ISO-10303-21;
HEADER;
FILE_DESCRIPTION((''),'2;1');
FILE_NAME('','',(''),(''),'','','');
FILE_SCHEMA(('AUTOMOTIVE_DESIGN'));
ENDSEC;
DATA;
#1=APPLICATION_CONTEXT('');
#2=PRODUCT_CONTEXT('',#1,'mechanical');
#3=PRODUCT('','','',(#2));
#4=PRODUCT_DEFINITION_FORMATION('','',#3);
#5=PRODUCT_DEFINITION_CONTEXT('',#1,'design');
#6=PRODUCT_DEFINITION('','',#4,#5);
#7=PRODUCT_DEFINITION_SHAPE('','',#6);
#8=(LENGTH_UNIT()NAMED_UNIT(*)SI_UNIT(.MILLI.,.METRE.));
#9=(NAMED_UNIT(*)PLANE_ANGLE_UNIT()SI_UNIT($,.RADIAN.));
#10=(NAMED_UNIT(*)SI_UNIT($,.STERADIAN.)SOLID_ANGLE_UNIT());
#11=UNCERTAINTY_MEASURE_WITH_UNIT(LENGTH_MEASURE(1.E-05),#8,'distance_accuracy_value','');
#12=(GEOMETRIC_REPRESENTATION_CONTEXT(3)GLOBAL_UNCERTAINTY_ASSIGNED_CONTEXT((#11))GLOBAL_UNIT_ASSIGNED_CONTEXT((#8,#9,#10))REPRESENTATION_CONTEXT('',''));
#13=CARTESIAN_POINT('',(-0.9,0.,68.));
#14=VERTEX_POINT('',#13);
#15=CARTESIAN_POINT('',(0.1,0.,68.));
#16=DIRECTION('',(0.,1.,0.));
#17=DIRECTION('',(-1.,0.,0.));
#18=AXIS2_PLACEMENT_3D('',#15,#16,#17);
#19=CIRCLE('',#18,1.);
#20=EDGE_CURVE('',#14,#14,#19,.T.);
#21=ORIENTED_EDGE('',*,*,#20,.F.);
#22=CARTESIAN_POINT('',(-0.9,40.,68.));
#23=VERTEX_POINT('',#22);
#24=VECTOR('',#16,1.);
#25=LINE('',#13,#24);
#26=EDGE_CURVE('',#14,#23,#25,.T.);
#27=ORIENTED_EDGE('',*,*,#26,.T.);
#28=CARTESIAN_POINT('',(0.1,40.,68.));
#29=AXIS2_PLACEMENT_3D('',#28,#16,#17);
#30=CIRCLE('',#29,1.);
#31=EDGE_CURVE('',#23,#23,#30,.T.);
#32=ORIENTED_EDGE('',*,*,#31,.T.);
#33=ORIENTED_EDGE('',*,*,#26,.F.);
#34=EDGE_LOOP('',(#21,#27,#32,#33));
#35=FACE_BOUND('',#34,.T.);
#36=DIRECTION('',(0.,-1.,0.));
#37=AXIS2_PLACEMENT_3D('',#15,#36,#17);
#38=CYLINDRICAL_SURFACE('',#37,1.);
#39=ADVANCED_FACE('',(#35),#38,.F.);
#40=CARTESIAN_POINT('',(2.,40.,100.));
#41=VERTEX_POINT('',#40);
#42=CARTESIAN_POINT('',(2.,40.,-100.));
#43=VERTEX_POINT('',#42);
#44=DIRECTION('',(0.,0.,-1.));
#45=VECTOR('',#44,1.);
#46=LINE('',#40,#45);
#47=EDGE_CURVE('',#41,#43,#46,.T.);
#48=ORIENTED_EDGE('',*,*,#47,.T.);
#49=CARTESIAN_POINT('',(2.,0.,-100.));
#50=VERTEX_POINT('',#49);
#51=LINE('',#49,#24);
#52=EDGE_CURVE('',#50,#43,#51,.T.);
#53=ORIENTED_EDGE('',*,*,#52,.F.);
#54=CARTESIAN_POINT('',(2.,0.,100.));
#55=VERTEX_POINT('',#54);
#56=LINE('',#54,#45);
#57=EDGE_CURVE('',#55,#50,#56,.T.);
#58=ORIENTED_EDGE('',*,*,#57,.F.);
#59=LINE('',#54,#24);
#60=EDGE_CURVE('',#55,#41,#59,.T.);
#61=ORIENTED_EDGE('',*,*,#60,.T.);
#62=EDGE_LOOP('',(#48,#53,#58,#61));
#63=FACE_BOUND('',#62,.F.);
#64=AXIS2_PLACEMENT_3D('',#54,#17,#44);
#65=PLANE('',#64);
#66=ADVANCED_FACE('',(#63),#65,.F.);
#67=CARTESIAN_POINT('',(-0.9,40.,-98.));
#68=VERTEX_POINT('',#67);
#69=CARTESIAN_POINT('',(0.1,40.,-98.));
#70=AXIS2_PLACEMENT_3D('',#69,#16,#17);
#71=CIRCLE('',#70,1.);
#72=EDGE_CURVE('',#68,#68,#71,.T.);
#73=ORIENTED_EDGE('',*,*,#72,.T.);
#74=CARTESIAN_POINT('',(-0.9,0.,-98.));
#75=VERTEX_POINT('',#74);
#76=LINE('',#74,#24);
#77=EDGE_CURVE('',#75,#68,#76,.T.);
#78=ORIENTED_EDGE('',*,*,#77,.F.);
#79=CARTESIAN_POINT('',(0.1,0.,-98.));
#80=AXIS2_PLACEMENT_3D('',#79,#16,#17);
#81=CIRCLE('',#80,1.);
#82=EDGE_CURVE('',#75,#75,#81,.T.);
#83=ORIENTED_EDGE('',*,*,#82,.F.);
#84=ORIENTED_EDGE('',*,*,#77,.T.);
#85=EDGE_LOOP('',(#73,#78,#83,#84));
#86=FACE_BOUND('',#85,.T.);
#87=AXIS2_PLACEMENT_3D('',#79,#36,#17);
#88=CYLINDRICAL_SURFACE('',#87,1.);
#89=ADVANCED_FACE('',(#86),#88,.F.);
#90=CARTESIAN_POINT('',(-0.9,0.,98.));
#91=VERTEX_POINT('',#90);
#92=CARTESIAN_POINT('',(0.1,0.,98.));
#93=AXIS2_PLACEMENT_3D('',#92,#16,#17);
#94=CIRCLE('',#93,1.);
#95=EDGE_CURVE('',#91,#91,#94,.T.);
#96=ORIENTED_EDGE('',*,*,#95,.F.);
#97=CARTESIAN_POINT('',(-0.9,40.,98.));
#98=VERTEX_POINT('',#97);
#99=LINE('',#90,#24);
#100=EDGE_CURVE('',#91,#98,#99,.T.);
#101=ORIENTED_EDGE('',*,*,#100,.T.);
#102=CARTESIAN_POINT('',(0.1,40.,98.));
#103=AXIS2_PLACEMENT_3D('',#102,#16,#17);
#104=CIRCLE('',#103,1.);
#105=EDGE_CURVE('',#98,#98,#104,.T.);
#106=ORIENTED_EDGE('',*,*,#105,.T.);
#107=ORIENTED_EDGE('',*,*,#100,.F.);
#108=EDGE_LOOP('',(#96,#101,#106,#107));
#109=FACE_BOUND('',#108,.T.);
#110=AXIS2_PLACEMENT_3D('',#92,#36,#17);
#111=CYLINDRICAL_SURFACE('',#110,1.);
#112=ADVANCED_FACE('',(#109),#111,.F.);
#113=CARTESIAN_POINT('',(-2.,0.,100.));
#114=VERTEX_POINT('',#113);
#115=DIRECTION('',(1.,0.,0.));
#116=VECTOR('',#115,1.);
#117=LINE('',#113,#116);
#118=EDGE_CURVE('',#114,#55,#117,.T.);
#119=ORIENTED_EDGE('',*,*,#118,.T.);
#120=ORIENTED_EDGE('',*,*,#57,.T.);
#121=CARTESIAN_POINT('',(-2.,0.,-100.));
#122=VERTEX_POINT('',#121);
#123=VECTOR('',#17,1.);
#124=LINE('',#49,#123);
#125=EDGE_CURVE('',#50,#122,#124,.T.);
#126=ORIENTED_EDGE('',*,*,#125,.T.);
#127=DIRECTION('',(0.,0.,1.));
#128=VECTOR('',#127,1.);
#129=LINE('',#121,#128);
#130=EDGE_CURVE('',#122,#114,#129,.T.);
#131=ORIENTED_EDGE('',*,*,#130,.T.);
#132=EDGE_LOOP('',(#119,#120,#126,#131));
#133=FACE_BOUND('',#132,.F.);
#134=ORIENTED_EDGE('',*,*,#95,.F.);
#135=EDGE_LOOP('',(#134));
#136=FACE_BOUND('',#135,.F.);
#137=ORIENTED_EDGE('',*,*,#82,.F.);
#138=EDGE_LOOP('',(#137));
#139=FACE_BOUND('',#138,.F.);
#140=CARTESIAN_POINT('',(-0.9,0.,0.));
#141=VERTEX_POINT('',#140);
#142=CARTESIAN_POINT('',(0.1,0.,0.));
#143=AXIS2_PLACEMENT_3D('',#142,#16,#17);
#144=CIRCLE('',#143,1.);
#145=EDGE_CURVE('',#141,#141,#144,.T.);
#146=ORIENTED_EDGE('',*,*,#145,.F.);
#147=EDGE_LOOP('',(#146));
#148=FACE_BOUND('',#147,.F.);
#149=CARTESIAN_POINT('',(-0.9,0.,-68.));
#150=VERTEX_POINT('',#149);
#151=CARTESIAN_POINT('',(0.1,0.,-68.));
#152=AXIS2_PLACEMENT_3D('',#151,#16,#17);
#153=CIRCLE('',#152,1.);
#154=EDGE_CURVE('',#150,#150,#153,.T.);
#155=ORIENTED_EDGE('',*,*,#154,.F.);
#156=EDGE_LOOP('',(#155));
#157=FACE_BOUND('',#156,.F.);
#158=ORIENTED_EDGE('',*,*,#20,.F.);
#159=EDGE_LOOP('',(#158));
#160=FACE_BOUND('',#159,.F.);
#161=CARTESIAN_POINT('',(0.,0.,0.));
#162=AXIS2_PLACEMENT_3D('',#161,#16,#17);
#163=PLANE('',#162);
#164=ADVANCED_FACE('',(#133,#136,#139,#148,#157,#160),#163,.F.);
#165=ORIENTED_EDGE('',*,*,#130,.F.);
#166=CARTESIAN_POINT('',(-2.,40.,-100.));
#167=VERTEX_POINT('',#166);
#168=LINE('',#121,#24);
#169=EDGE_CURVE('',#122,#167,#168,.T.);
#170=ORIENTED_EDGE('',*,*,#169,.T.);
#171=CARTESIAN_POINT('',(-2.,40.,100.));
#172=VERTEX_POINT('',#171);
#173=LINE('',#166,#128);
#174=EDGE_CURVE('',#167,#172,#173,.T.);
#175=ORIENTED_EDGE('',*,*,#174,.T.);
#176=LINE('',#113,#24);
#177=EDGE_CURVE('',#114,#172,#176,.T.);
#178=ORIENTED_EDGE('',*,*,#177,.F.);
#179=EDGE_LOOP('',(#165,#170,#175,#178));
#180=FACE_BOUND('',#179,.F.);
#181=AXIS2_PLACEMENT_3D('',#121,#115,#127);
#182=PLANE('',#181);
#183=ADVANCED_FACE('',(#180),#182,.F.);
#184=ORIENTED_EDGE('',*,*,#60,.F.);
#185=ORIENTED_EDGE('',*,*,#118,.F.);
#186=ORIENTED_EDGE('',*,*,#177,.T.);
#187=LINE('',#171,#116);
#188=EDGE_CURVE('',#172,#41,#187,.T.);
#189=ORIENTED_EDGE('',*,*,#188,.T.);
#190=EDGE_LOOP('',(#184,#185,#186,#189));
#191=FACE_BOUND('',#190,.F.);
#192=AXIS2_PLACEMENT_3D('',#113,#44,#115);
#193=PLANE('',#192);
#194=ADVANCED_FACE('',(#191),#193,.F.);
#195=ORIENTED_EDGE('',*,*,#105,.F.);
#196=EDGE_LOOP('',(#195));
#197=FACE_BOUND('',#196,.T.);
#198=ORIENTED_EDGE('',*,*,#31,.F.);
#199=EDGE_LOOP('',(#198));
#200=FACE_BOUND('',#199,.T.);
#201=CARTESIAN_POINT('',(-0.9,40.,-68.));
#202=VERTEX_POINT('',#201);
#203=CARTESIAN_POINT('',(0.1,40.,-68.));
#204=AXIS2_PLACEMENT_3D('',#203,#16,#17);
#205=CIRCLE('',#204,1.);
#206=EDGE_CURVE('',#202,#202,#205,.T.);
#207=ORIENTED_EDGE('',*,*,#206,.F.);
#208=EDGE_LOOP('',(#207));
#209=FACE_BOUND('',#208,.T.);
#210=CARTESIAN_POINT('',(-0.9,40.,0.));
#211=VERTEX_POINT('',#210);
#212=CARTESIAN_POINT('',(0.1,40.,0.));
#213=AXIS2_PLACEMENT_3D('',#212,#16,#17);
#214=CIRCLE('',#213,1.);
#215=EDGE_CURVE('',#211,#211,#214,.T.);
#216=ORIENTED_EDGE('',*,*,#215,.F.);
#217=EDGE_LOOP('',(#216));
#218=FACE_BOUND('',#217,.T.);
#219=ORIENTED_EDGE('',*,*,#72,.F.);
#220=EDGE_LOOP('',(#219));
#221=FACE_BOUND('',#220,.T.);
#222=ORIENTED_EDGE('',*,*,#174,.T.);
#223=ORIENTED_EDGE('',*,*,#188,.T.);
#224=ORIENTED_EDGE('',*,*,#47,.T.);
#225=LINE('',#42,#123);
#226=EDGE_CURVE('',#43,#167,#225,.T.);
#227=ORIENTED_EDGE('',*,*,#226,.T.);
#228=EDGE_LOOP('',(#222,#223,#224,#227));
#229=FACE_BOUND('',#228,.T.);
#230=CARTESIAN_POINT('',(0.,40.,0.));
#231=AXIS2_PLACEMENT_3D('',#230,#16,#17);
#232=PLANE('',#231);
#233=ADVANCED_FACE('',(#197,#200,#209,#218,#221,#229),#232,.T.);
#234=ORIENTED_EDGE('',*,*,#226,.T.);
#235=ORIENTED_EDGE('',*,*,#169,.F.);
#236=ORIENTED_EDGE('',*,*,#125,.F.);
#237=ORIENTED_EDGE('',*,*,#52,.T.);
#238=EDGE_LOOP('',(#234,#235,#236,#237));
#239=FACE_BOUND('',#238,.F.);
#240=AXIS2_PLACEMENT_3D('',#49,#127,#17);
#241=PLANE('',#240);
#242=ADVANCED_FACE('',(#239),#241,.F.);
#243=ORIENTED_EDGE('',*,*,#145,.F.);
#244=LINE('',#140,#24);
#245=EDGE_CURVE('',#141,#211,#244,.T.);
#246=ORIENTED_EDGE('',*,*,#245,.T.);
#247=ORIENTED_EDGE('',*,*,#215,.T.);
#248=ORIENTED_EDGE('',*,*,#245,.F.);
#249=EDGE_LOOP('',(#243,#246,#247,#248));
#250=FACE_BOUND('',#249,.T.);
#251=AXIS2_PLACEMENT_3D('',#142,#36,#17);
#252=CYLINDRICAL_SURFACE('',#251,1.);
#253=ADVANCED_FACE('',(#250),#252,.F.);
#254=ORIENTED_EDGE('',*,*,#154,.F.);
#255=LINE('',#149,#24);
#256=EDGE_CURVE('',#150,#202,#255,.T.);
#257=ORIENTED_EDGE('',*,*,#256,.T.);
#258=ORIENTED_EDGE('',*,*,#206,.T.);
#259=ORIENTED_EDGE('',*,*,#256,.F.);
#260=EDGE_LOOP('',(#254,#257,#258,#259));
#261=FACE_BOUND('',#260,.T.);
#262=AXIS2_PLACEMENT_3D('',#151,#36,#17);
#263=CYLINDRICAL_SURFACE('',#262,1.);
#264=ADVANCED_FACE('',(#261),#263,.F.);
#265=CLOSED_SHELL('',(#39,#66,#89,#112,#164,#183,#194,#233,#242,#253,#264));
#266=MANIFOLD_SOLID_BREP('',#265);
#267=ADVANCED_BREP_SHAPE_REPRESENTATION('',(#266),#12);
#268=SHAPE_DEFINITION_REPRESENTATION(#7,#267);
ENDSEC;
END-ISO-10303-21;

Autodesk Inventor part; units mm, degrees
ref_plane "YZ Plane" through (0, 0, 0) normal (1, 0, 0) x (0, 1, 0)
ref_plane "XZ Plane" through (0, 0, 0) normal (0, 1, 0) x (-1, 0, 0)
ref_plane "XY Plane" through (0, 0, 0) normal (0, 0, 1) x (1, 0, 0)
sketch "Sketch1" plane through (0, 0, 0) normal (0, 1, 0) x (-1, 0, 0)
  line L0 (-2, -100) -> (2, -100)
  line L1 (2, -100) -> (2, 100)
  line L2 (2, 100) -> (-2, 100)
  line L3 (-2, 100) -> (-2, -100)
  line L4 (-2, -100) -> (2, 100) construction
  line L5 (2, -100) -> (-2, 100) construction
  circle A0 centre (-0.1, 98) radius 1
  circle A1 centre (-0.1, 68) radius 1
  circle A2 centre (-0.1, 0) radius 1
  circle A3 centre (-0.1, -98) radius 1
  circle A4 centre (-0.1, -68) radius 1
  point P0 (0, 0)
  dimension "d0" = 4
  dimension "d1" = 200
  dimension "d2" = 2
  dimension "d3" = 2.1
  dimension "d4" = 2
  dimension "d5" = 2
  dimension "d6" = 32
  dimension "d7" = 2.1
  dimension "d8" = 2
  dimension "d9" = 100
  dimension "d10" = 2.1
  dimension "d11" = 2
  dimension "d12" = 2
  dimension "d13" = 2.1
  dimension "d14" = 2
  dimension "d15" = 2.1
  dimension "d16" = 32
extrude "Extrusion1" add sketch "Sketch1" along normal blind 40
properties part number "DindingRobotDepanBelakang"
